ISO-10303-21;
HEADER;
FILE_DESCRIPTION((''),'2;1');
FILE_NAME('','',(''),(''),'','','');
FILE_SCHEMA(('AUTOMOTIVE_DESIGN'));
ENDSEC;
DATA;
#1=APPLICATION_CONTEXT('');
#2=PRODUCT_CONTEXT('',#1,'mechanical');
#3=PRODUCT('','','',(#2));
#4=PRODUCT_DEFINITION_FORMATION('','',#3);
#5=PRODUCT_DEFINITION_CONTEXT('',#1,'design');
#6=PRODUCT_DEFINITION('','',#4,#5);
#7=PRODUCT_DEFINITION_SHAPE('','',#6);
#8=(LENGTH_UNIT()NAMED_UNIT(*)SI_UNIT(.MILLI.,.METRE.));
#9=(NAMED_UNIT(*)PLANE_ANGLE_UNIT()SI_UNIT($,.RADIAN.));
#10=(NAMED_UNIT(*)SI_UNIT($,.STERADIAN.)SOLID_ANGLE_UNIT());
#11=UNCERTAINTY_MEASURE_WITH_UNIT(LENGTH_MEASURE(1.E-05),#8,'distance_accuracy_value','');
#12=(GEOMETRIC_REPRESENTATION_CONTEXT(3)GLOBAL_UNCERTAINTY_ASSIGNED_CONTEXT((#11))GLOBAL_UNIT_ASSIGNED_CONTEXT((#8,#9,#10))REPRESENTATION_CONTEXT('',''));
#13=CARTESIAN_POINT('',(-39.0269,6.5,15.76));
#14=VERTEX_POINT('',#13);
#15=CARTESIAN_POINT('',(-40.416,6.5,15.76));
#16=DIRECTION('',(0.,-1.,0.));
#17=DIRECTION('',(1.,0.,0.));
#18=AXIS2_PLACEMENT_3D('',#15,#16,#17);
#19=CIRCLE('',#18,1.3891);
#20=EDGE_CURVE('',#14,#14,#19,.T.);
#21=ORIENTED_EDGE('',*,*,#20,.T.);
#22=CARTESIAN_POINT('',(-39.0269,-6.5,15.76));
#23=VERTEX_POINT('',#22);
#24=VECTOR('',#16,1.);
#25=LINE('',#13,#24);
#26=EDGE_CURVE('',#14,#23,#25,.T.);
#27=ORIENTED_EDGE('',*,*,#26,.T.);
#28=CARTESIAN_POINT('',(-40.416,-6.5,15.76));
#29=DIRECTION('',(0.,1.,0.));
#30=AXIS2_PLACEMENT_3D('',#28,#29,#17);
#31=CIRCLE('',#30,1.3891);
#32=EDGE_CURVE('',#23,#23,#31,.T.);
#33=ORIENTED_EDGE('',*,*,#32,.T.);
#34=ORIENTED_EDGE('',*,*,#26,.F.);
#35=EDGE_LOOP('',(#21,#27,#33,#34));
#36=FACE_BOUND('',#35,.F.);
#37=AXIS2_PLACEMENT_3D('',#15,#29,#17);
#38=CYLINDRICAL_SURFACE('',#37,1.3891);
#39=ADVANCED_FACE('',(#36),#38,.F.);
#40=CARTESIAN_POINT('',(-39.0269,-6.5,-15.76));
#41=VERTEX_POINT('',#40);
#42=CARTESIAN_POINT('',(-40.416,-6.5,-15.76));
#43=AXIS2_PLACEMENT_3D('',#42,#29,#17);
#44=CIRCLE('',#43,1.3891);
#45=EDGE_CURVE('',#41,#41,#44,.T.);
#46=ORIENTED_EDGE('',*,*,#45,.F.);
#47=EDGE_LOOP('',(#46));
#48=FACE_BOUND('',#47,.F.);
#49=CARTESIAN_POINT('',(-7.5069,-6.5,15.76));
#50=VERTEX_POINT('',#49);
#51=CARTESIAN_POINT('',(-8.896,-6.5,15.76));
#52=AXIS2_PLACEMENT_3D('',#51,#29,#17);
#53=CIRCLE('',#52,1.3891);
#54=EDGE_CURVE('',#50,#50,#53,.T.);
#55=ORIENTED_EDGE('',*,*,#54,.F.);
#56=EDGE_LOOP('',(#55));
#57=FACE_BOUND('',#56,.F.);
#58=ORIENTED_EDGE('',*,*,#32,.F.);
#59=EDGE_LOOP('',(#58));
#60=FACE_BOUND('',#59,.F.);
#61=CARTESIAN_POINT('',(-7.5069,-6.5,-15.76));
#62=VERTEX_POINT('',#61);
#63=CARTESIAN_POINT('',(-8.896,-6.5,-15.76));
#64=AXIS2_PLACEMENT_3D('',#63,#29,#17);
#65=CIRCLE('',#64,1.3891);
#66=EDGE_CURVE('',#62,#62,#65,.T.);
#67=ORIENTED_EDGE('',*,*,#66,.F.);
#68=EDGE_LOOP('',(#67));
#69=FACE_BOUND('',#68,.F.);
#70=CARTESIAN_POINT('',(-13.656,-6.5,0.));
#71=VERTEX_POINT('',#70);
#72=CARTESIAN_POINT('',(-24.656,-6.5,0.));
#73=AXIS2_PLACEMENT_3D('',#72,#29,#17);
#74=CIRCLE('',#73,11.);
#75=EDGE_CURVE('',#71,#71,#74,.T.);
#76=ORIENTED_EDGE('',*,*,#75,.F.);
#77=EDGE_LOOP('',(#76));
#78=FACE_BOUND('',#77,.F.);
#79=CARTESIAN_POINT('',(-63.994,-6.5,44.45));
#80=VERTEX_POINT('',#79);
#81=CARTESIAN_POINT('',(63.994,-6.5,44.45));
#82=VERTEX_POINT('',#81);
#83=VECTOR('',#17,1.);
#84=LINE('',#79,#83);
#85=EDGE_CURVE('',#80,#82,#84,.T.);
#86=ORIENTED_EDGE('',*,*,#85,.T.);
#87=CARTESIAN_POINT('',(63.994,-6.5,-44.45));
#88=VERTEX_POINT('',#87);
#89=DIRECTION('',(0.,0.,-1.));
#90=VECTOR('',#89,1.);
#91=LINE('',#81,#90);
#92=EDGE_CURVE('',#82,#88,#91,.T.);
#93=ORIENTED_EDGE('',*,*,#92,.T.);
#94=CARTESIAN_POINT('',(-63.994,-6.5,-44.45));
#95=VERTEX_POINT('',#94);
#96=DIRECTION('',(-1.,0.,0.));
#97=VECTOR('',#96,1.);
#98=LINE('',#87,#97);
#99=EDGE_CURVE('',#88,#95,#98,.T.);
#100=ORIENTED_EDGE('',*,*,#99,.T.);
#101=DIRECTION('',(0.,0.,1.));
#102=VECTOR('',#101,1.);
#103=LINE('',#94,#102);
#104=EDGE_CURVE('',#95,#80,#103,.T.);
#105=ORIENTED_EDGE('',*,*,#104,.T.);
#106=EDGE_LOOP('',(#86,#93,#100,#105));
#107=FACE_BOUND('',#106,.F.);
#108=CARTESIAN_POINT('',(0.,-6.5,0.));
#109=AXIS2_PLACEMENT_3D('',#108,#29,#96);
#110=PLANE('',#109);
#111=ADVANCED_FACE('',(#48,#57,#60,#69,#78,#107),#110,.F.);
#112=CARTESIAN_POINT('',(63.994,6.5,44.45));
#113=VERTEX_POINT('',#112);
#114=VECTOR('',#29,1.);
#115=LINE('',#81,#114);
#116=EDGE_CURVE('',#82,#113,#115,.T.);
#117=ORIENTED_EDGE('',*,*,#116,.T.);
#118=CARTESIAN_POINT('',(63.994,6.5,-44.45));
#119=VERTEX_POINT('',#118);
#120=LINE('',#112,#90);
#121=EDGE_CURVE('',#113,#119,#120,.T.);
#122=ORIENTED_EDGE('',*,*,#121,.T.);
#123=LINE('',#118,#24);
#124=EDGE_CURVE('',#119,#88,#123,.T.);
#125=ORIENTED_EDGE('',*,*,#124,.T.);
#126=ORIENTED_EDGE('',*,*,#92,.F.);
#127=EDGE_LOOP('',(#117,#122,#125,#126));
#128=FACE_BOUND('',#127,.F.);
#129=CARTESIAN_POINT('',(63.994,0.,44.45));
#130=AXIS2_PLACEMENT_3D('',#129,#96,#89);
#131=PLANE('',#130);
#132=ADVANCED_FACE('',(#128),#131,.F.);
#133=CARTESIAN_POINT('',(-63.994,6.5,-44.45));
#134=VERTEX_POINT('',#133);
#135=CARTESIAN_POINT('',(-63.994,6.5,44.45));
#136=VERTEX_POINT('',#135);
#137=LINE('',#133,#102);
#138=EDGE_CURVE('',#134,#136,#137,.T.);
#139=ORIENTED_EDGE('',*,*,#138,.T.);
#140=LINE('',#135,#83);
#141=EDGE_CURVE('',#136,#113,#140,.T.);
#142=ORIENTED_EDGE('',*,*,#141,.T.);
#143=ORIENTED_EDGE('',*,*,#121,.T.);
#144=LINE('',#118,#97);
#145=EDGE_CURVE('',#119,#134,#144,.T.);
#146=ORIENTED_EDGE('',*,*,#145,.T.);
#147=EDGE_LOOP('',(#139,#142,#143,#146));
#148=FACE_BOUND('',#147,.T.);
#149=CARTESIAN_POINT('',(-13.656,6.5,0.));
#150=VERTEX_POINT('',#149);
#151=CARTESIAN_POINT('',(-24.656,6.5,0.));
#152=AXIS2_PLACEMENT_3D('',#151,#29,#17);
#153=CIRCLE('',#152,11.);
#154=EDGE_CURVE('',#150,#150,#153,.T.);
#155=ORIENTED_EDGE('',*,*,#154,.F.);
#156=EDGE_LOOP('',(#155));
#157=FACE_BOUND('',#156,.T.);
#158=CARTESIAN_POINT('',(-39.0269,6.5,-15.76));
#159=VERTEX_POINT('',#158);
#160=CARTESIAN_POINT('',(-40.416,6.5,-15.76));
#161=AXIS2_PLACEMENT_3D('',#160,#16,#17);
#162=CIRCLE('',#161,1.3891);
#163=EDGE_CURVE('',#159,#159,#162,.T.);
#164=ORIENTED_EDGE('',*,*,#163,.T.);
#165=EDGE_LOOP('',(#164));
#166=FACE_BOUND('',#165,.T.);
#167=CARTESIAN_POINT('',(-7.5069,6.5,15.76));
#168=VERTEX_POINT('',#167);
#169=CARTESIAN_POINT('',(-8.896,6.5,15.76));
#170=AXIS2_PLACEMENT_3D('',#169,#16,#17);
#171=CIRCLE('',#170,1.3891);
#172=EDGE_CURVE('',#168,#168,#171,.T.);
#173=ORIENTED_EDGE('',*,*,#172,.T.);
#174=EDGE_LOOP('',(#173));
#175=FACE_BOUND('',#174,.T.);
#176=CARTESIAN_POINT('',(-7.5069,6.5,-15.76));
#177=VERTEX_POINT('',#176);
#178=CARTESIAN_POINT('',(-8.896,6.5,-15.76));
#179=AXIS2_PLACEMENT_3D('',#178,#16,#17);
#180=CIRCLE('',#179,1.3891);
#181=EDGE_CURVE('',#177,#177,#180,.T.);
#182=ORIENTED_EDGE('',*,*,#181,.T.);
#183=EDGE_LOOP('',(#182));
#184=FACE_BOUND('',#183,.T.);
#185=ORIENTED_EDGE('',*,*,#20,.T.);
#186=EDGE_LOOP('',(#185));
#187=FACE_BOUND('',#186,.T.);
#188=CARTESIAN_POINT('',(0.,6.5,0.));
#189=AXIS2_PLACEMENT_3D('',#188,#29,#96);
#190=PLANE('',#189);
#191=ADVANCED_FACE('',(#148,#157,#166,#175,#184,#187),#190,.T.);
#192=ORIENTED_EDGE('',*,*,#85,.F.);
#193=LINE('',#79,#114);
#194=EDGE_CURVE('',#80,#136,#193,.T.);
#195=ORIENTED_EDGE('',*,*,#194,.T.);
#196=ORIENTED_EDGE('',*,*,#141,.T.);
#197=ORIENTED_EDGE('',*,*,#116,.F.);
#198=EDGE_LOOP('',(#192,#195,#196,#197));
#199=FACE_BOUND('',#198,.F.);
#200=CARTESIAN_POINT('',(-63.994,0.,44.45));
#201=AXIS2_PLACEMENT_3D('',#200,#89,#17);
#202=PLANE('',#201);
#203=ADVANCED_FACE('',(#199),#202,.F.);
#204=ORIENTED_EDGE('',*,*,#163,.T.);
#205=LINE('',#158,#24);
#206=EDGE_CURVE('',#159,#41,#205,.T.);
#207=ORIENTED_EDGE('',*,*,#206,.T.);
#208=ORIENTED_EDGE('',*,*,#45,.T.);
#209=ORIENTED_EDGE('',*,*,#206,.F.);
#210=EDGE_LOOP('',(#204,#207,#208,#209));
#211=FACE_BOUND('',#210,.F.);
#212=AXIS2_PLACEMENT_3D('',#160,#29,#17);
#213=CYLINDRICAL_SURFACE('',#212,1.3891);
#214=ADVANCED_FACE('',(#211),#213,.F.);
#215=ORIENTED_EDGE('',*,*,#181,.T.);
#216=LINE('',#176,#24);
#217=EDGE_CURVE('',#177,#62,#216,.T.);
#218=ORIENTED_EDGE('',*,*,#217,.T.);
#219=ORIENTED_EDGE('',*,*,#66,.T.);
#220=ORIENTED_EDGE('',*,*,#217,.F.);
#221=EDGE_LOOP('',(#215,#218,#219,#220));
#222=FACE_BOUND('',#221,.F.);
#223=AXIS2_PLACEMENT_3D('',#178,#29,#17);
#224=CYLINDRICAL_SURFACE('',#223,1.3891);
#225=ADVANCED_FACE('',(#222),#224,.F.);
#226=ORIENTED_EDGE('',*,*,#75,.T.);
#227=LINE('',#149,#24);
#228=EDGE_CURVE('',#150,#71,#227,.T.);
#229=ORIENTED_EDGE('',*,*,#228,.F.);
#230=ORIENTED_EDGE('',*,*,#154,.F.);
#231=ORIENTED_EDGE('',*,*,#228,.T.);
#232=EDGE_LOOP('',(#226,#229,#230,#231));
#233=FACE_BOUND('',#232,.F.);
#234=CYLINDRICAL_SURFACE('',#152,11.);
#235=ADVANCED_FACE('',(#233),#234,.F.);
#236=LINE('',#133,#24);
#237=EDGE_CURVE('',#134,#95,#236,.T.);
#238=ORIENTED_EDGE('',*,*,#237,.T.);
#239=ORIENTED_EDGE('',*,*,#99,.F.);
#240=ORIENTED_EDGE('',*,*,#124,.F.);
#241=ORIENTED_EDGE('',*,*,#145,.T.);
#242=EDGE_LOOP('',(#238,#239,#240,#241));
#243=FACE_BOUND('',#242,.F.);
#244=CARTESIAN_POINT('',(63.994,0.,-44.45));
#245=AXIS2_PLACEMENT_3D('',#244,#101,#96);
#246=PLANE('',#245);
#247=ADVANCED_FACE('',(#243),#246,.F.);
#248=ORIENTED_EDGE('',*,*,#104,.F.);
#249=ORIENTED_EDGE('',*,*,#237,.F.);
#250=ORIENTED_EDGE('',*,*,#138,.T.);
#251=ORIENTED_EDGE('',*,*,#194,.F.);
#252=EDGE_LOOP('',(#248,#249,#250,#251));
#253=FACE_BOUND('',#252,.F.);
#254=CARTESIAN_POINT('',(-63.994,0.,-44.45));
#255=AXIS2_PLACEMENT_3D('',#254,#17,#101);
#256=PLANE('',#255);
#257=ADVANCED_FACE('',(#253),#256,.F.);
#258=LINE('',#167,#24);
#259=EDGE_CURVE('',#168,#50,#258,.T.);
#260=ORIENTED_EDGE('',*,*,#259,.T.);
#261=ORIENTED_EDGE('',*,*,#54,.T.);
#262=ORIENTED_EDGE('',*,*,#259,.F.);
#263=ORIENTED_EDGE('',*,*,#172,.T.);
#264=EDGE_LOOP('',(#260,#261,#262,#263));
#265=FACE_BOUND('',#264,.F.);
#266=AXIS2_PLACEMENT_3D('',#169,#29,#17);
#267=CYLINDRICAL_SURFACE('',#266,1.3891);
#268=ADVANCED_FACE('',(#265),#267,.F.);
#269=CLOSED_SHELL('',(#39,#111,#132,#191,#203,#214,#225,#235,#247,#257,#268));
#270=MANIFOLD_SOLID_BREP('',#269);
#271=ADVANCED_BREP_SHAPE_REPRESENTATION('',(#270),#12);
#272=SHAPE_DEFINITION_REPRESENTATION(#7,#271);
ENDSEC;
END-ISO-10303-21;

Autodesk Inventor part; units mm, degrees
ref_plane "YZ Plane" through (0, 0, 0) normal (1, 0, 0) x (0, 1, 0)
ref_plane "XZ Plane" through (0, 0, 0) normal (0, 1, 0) x (-1, 0, 0)
ref_plane "XY Plane" through (0, 0, 0) normal (0, 0, 1) x (1, 0, 0)
sketch "Sketch1" plane through (0, 0, 0) normal (0, 1, 0) x (-1, 0, 0)
  line L0 (63.994, 44.45) -> (-63.994, 44.45)
  line L1 (-63.994, 44.45) -> (-63.994, -44.45)
  line L2 (-63.994, -44.45) -> (63.994, -44.45)
  line L3 (63.994, -44.45) -> (63.994, 44.45)
  line L4 (63.994, 44.45) -> (-63.994, -44.45) construction
  line L5 (-63.994, 44.45) -> (63.994, -44.45) construction
  point P0 (0, 0)
  dimension "d0" = 127.988
  dimension "d1" = 88.9
extrude "Extrusion1" add sketch "Sketch1" along normal mid plane 13
sketch "Sketch4" plane through (0, 6.5, 0) normal (0, 1, 0) x (1, 0, 0)
  line L0 (-45.781, -21.125) -> (-3.531, -21.125)
  line L1 (-3.531, -21.125) -> (-3.531, 21.125)
  line L2 (-3.531, 21.125) -> (-45.781, 21.125)
  line L3 (-45.781, 21.125) -> (-45.781, -21.125)
  line L4 (-45.781, -21.125) -> (-3.531, 21.125) construction
  line L5 (-3.531, -21.125) -> (-45.781, 21.125) construction
  line L6 (-40.416, -15.76) -> (-8.896, -15.76)
  line L7 (-8.896, -15.76) -> (-8.896, 15.76)
  line L8 (-8.896, 15.76) -> (-40.416, 15.76)
  line L9 (-40.416, 15.76) -> (-40.416, -15.76)
  line L10 (-40.416, -15.76) -> (-8.896, 15.76) construction
  line L11 (-8.896, -15.76) -> (-40.416, 15.76) construction
  circle A0 centre (-40.416, -15.76) radius 1.3891
  circle A1 centre (-40.416, 15.76) radius 1.3891
  circle A2 centre (-8.896, -15.76) radius 1.3891
  circle A3 centre (-8.896, 15.76) radius 1.3891
  circle A4 centre (-24.656, 0) radius 11
  line L12 (63.994, -44.45) -> (63.994, 44.45) projected
  line L13 (-63.994, 44.45) -> (-63.994, -44.45) projected
  dimension "d46" = 67.525
  dimension "d47" = 18.213
extrude "Extrusion2" cut sketch "Sketch4" against normal blind 25.4 contours L9 A0 L6 | L6 A0 L9 | A2 L7 L6 | L6 L7 A2 | A1 L8 L9 | L9 L8 A1 | A3 L8 L7 | L7 L8 A3 | A4
properties part number "CNC-Z-axis- top plate"
